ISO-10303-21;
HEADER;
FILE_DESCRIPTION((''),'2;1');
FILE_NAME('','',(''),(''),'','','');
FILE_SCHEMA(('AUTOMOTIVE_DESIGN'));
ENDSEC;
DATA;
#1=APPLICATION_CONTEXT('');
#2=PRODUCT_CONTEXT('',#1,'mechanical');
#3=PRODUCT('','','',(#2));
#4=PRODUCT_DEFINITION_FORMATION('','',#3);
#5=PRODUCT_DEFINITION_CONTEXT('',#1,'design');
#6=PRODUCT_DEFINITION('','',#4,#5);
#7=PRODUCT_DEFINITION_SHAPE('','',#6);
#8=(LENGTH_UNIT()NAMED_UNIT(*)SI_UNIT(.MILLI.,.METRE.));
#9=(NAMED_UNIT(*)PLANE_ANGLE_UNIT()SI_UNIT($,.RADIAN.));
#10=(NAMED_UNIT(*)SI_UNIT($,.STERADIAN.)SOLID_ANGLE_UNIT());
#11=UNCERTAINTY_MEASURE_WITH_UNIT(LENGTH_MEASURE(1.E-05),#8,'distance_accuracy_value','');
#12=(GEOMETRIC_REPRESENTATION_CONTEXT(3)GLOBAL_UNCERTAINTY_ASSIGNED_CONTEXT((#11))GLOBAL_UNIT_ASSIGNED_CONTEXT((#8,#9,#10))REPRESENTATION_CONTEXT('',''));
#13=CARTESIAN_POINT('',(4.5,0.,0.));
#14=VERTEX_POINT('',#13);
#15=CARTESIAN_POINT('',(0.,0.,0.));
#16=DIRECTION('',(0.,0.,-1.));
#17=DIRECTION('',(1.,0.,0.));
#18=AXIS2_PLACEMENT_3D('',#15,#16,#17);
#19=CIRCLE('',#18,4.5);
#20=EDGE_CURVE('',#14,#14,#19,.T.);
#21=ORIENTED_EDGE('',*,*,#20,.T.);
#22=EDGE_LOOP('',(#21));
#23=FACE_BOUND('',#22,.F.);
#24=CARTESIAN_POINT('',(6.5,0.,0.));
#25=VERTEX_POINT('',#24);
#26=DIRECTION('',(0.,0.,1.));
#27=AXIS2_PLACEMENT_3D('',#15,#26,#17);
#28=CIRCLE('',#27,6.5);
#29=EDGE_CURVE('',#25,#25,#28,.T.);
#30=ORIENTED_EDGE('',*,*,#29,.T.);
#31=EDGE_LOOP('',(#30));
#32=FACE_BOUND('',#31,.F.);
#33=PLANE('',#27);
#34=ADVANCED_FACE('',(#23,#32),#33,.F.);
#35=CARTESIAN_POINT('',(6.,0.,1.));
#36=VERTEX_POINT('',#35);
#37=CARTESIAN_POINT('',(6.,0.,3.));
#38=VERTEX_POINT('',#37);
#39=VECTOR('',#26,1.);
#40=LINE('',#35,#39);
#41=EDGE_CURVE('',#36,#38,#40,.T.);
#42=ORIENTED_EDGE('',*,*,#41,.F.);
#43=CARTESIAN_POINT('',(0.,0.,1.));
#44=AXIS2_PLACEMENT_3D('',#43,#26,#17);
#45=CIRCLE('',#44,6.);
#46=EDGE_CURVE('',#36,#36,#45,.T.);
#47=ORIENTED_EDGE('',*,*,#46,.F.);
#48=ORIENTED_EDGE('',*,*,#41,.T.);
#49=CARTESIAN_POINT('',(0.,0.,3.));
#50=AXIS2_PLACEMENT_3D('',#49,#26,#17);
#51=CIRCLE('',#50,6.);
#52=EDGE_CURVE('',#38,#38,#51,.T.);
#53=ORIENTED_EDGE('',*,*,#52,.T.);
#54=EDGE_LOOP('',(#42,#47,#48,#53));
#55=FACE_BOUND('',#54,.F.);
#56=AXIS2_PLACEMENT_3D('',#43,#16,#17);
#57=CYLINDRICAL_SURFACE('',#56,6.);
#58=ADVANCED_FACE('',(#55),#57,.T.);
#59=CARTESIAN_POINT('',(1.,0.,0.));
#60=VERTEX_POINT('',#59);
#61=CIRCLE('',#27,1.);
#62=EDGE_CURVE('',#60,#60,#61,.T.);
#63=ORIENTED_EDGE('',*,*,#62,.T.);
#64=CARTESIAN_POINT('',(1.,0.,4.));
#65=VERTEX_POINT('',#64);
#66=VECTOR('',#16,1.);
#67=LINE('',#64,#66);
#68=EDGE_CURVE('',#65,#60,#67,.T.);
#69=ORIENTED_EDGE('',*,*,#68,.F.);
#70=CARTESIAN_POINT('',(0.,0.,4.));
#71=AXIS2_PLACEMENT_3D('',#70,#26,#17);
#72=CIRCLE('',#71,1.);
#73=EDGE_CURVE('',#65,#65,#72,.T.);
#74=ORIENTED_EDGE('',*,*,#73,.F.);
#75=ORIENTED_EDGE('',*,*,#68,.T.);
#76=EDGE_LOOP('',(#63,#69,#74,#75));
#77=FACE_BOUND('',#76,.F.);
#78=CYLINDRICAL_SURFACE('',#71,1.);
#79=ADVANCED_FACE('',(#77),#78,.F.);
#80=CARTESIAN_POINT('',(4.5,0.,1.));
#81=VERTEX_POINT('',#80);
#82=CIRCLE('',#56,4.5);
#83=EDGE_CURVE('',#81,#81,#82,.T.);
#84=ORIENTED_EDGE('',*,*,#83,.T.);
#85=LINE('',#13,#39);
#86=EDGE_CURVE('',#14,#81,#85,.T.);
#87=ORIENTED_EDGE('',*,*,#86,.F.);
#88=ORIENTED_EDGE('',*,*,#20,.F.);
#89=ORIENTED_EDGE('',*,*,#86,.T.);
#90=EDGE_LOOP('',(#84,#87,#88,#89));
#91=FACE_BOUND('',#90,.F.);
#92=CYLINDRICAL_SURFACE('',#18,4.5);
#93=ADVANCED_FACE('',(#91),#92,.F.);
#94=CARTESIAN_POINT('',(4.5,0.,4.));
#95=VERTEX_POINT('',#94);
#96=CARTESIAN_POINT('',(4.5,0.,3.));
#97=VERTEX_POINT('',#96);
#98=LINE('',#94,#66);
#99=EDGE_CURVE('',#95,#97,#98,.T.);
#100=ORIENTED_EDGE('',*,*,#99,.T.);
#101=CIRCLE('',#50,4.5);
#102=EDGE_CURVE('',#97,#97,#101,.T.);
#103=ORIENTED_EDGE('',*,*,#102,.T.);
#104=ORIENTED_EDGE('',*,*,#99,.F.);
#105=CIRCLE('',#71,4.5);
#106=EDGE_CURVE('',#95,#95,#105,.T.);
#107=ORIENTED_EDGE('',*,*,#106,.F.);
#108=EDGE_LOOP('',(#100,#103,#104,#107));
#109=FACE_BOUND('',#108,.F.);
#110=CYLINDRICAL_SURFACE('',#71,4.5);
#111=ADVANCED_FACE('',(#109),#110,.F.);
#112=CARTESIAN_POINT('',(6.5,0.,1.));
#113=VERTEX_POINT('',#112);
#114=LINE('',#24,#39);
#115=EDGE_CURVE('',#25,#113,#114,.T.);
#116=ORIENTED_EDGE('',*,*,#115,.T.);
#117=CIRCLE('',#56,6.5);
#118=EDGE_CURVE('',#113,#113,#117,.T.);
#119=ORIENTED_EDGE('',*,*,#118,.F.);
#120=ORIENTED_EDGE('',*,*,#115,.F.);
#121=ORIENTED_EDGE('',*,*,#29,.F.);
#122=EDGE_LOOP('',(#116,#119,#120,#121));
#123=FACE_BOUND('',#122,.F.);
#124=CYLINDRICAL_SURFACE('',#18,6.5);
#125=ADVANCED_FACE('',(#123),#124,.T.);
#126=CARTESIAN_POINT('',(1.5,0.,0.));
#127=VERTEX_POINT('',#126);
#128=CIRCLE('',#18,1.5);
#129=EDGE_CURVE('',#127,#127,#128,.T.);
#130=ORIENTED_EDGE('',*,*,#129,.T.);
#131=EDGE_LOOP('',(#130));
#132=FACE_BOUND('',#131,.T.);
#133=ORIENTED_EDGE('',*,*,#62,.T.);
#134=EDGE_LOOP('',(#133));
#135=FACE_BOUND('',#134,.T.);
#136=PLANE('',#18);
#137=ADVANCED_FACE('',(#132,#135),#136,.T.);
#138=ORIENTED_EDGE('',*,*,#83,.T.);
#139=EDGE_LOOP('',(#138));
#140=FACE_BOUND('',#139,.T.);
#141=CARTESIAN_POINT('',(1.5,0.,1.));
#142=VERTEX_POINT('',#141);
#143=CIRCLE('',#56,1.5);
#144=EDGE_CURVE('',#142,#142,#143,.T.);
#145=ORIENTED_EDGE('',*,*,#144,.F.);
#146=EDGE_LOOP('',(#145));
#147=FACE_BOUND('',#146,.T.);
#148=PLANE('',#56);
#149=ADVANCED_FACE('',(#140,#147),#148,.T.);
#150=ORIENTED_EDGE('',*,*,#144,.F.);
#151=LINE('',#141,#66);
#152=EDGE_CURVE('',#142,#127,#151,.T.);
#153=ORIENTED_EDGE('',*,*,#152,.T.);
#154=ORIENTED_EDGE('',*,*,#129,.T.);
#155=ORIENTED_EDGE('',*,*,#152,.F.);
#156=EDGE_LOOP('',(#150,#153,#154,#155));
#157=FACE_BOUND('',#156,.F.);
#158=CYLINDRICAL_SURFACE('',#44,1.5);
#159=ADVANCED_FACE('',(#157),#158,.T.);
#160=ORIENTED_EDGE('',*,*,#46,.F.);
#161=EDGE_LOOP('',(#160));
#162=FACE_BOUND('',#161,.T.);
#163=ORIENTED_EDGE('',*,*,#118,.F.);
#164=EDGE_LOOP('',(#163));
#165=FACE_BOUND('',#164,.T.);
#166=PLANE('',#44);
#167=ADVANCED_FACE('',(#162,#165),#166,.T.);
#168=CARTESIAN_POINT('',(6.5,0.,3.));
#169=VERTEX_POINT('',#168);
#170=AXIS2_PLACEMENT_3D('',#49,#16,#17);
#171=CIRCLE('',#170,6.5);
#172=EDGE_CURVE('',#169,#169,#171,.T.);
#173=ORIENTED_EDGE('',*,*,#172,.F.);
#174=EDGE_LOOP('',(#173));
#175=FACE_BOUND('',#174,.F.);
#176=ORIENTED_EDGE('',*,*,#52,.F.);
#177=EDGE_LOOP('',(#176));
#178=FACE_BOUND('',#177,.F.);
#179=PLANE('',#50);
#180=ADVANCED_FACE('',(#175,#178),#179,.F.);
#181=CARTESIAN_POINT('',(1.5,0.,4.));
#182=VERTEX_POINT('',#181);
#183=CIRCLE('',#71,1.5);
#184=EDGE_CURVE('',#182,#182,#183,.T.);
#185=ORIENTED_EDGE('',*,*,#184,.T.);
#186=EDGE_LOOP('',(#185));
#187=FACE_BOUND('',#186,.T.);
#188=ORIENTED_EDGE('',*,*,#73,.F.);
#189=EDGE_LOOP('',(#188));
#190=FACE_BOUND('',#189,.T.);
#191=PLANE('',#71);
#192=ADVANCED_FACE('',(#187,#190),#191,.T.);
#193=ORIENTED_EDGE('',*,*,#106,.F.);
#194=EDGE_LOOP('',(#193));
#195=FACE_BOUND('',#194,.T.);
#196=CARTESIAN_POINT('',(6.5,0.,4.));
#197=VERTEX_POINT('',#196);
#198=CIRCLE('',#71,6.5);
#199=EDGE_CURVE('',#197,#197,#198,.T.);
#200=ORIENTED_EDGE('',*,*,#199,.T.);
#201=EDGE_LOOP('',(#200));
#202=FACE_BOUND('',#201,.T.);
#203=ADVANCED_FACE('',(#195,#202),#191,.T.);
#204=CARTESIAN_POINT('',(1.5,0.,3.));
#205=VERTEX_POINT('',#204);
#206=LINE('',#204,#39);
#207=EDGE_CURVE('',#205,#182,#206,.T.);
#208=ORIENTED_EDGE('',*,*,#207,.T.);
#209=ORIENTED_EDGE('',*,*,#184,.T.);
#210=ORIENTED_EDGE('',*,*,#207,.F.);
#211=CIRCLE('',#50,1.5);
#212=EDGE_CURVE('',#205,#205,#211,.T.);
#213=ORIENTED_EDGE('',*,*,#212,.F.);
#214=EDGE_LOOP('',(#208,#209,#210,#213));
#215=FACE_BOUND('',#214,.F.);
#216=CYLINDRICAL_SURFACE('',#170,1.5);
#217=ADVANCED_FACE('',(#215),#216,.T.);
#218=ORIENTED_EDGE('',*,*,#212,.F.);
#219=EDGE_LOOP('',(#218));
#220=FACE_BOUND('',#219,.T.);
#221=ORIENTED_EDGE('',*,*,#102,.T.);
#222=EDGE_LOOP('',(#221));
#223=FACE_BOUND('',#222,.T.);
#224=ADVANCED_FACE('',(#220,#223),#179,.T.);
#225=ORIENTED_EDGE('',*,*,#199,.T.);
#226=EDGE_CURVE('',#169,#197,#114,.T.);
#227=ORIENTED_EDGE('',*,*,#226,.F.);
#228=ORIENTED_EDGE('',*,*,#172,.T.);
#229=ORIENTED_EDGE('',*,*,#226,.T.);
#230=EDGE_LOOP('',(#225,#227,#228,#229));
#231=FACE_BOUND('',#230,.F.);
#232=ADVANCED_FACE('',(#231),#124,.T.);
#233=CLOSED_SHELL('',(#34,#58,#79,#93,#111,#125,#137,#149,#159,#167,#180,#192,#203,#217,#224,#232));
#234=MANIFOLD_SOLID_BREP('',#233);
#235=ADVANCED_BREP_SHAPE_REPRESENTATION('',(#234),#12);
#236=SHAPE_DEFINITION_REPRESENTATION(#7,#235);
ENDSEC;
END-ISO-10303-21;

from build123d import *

# Parameters (mm, degrees)
F0_R      = 6.5
F1_DEPTH  = 4
F2_R      = 4.5
F3_DEPTH  = 1
F4_R      = 4.5
F5_DEPTH  = 1
F6_R      = 1.5
F7_DEPTH  = 1
F8_R      = 1.5
F9_DEPTH  = 1
F10_R     = 1
F11_DEPTH = 25
F13_R     = 8.657699
F13_R_2   = 6
F14_DEPTH = 2


with BuildPart() as f1:
    # F0 (on Top) → F1 (new body)
    with BuildSketch(Plane.XY):
        Circle(F0_R)
    extrude(amount=F1_DEPTH)

    # F2 (on face) → F3 (cut)
    with BuildSketch(Plane(origin=(0, 0, 0), x_dir=(1, 0, 0), z_dir=(0, 0, -1))):
        Circle(F2_R)
    extrude(amount=-F3_DEPTH, mode=Mode.SUBTRACT)

    # F4 (on face) → F5 (cut)
    with BuildSketch(Plane.XY.offset(4)):
        Circle(F4_R)
    extrude(amount=-F5_DEPTH, mode=Mode.SUBTRACT)

    # F6 (on face) → F7 (join)
    with BuildSketch(Plane(origin=(0, 0, 1), x_dir=(1, 0, 0), z_dir=(0, 0, -1))):
        Circle(F6_R)
    extrude(amount=F7_DEPTH)

    # F8 (on face) → F9 (join)
    with BuildSketch(Plane.XY.offset(3)):
        Circle(F8_R)
    extrude(amount=F9_DEPTH)

    # F10 (on face) → F11 (cut)
    with BuildSketch(Plane.XY.offset(4)):
        Circle(F10_R)
    extrude(amount=-F11_DEPTH, mode=Mode.SUBTRACT)

    # F13 (on offset) → F14 (cut)
    with BuildSketch(Plane.XY.offset(1)):
        Circle(F13_R)
        Circle(F13_R_2, mode=Mode.SUBTRACT)
    extrude(amount=F14_DEPTH, mode=Mode.SUBTRACT)


solid = f1.part
